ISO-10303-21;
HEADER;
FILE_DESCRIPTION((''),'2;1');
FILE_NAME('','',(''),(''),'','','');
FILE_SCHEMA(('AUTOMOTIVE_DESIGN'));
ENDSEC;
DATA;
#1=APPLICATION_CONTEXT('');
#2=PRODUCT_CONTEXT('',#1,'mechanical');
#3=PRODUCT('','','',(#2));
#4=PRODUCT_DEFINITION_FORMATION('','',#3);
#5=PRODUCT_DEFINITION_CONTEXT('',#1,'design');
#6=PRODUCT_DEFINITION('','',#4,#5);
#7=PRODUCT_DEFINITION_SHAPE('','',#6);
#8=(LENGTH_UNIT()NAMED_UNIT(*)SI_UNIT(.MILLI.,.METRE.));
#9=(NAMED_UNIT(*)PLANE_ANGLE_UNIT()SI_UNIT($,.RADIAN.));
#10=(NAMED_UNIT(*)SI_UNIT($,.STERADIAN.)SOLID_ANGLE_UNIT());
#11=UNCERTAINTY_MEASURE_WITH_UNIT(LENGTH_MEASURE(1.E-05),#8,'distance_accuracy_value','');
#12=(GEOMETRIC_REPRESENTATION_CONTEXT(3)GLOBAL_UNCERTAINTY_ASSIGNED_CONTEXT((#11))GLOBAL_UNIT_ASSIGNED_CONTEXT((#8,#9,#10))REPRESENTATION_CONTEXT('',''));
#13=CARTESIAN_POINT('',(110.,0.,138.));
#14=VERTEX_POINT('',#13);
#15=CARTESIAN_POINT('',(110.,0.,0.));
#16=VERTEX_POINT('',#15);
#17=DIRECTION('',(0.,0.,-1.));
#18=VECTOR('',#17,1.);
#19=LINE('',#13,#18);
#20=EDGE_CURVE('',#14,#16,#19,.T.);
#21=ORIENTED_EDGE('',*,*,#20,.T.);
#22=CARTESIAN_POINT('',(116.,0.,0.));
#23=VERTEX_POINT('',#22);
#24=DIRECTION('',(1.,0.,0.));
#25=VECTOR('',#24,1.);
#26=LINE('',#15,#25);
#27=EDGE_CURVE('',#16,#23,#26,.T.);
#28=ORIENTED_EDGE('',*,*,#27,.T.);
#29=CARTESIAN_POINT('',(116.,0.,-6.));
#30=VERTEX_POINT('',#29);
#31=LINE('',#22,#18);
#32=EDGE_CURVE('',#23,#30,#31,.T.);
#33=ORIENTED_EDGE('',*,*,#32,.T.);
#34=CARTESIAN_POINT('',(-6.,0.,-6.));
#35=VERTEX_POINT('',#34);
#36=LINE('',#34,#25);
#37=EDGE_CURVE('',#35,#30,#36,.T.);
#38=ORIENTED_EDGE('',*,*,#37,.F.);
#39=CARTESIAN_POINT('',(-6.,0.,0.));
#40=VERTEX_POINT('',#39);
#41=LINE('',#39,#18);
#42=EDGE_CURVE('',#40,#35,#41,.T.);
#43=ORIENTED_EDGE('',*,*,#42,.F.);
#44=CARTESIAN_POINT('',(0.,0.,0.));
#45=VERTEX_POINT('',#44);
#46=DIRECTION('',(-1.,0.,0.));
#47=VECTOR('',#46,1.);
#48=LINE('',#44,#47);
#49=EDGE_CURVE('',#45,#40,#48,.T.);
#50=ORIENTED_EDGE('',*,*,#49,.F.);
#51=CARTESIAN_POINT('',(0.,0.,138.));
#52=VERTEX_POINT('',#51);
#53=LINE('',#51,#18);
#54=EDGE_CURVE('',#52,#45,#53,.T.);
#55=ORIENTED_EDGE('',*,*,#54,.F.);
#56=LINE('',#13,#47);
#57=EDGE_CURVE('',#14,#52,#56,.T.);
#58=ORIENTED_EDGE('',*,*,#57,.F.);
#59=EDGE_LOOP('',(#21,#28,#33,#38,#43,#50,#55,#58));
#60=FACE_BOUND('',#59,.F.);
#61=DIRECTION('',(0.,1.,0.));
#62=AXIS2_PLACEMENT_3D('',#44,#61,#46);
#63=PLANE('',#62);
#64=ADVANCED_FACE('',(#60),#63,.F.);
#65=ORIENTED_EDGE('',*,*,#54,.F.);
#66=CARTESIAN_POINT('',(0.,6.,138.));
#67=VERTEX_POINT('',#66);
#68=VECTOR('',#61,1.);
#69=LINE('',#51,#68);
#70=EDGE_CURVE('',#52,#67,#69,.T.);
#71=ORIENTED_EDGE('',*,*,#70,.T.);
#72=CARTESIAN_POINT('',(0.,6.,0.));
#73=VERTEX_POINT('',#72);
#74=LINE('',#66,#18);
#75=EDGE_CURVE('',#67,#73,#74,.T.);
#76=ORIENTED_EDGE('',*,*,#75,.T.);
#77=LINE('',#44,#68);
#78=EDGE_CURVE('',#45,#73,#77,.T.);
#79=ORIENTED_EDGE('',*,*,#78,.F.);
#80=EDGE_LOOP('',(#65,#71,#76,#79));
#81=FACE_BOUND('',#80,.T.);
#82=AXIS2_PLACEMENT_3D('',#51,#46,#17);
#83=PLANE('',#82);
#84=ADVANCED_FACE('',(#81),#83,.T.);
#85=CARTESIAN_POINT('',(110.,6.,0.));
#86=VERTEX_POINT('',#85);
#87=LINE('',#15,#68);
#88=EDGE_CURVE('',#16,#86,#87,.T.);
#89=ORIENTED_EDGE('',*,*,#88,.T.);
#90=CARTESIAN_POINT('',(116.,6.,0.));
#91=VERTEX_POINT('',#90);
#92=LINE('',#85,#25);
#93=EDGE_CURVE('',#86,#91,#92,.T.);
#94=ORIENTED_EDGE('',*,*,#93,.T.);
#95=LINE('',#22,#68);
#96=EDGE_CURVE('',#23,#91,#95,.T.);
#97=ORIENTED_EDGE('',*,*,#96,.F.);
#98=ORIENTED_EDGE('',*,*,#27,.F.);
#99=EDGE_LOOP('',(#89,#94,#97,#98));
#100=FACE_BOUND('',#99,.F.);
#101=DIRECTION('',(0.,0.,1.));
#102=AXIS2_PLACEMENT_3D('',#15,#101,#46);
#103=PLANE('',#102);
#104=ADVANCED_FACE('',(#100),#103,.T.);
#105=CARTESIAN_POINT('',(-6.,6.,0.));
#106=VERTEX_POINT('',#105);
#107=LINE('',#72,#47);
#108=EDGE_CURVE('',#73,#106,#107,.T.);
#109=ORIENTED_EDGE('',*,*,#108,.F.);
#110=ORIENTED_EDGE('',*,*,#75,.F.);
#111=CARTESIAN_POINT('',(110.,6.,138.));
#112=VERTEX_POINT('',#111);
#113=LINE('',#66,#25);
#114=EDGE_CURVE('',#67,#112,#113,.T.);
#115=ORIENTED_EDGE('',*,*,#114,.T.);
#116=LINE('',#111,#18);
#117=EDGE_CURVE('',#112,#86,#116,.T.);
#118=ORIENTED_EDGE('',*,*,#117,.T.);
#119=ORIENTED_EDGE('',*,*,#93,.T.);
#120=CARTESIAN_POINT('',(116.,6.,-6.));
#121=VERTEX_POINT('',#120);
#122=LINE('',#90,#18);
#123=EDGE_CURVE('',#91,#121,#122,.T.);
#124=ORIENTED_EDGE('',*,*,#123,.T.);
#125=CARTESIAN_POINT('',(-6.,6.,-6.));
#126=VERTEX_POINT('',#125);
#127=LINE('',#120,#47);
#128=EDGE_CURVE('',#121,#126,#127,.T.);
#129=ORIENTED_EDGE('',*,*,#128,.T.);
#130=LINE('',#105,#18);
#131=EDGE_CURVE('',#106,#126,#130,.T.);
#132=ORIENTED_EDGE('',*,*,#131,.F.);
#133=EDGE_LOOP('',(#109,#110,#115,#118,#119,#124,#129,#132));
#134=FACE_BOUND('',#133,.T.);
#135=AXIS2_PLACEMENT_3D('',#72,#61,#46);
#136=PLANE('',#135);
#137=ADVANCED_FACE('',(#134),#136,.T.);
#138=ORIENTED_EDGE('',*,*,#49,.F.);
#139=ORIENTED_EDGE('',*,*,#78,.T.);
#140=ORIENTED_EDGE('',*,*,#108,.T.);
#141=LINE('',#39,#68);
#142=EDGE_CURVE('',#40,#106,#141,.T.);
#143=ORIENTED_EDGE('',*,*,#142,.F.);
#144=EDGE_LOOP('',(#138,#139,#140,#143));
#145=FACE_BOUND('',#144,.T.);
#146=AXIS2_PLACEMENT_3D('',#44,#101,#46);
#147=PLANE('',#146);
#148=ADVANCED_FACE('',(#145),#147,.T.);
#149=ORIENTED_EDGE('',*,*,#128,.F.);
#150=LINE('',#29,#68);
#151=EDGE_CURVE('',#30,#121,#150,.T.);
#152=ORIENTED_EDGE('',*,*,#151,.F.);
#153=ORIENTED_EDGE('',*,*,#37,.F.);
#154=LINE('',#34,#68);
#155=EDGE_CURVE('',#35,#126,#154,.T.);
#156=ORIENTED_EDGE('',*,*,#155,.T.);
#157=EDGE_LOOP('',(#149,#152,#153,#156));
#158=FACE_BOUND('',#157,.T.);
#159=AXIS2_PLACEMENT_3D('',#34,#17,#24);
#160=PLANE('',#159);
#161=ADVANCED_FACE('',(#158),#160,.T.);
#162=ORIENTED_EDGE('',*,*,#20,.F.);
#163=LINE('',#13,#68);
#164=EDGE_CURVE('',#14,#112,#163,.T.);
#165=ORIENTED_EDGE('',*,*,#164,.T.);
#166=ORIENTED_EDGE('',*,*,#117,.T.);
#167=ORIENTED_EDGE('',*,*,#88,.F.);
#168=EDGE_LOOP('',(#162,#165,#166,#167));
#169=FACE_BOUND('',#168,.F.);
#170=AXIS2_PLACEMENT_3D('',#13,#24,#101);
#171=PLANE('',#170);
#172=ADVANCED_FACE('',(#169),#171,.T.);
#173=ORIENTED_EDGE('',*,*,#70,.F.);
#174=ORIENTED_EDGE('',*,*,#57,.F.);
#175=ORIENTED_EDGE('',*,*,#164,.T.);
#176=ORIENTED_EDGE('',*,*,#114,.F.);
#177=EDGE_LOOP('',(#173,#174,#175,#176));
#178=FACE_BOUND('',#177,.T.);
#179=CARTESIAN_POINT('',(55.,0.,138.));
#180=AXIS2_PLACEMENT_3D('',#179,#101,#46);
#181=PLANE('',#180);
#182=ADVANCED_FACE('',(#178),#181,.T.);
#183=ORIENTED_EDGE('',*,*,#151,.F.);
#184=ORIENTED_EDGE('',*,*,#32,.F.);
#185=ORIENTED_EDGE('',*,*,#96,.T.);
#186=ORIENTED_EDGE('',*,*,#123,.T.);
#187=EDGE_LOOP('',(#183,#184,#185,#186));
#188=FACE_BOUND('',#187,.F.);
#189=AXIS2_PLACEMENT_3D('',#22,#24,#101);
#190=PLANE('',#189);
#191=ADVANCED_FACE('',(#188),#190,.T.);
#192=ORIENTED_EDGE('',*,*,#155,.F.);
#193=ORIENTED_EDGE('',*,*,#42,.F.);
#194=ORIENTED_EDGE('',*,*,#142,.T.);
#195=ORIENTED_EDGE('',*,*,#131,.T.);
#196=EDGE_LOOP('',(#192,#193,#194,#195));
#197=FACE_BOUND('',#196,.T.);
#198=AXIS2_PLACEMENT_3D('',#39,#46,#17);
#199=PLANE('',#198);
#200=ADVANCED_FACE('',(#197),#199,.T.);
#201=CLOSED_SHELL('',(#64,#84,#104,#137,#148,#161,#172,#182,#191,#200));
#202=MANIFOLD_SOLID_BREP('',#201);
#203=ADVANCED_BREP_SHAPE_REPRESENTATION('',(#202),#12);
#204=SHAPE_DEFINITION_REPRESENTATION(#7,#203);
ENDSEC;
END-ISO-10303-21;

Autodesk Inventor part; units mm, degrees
ref_plane "YZ Plane" through (0, 0, 0) normal (1, 0, 0) x (0, 1, 0)
ref_plane "XZ Plane" through (0, 0, 0) normal (0, 1, 0) x (-1, 0, 0)
ref_plane "XY Plane" through (0, 0, 0) normal (0, 0, 1) x (1, 0, 0)
sketch "Sketch1" plane through (0, 0, 0) normal (0, 1, 0) x (-1, 0, 0)
  line L0 (0, 0) -> (6, 0)
  line L1 (6, 0) -> (6, -6)
  line L2 (6, -6) -> (0, -6)
  line L3 (0, -6) -> (0, 0)
  line L4 (0, -6) -> (-55, -6)
  line L5 (-55, -6) -> (-55, 138)
  line L6 (-55, 138) -> (0, 138)
  line L7 (0, 138) -> (0, -6)
  dimension "d0" = 6
  dimension "d1" = 6
  dimension "d2" = 55
  dimension "d3" = 144
extrude "Extrusion1" add sketch "Sketch1" along normal blind 6
mirror "Mirror1" about plane through (55, 0, 138) normal (1, 0, 0) of "Extrusion1"
properties part number "wall 4 for sorting"
